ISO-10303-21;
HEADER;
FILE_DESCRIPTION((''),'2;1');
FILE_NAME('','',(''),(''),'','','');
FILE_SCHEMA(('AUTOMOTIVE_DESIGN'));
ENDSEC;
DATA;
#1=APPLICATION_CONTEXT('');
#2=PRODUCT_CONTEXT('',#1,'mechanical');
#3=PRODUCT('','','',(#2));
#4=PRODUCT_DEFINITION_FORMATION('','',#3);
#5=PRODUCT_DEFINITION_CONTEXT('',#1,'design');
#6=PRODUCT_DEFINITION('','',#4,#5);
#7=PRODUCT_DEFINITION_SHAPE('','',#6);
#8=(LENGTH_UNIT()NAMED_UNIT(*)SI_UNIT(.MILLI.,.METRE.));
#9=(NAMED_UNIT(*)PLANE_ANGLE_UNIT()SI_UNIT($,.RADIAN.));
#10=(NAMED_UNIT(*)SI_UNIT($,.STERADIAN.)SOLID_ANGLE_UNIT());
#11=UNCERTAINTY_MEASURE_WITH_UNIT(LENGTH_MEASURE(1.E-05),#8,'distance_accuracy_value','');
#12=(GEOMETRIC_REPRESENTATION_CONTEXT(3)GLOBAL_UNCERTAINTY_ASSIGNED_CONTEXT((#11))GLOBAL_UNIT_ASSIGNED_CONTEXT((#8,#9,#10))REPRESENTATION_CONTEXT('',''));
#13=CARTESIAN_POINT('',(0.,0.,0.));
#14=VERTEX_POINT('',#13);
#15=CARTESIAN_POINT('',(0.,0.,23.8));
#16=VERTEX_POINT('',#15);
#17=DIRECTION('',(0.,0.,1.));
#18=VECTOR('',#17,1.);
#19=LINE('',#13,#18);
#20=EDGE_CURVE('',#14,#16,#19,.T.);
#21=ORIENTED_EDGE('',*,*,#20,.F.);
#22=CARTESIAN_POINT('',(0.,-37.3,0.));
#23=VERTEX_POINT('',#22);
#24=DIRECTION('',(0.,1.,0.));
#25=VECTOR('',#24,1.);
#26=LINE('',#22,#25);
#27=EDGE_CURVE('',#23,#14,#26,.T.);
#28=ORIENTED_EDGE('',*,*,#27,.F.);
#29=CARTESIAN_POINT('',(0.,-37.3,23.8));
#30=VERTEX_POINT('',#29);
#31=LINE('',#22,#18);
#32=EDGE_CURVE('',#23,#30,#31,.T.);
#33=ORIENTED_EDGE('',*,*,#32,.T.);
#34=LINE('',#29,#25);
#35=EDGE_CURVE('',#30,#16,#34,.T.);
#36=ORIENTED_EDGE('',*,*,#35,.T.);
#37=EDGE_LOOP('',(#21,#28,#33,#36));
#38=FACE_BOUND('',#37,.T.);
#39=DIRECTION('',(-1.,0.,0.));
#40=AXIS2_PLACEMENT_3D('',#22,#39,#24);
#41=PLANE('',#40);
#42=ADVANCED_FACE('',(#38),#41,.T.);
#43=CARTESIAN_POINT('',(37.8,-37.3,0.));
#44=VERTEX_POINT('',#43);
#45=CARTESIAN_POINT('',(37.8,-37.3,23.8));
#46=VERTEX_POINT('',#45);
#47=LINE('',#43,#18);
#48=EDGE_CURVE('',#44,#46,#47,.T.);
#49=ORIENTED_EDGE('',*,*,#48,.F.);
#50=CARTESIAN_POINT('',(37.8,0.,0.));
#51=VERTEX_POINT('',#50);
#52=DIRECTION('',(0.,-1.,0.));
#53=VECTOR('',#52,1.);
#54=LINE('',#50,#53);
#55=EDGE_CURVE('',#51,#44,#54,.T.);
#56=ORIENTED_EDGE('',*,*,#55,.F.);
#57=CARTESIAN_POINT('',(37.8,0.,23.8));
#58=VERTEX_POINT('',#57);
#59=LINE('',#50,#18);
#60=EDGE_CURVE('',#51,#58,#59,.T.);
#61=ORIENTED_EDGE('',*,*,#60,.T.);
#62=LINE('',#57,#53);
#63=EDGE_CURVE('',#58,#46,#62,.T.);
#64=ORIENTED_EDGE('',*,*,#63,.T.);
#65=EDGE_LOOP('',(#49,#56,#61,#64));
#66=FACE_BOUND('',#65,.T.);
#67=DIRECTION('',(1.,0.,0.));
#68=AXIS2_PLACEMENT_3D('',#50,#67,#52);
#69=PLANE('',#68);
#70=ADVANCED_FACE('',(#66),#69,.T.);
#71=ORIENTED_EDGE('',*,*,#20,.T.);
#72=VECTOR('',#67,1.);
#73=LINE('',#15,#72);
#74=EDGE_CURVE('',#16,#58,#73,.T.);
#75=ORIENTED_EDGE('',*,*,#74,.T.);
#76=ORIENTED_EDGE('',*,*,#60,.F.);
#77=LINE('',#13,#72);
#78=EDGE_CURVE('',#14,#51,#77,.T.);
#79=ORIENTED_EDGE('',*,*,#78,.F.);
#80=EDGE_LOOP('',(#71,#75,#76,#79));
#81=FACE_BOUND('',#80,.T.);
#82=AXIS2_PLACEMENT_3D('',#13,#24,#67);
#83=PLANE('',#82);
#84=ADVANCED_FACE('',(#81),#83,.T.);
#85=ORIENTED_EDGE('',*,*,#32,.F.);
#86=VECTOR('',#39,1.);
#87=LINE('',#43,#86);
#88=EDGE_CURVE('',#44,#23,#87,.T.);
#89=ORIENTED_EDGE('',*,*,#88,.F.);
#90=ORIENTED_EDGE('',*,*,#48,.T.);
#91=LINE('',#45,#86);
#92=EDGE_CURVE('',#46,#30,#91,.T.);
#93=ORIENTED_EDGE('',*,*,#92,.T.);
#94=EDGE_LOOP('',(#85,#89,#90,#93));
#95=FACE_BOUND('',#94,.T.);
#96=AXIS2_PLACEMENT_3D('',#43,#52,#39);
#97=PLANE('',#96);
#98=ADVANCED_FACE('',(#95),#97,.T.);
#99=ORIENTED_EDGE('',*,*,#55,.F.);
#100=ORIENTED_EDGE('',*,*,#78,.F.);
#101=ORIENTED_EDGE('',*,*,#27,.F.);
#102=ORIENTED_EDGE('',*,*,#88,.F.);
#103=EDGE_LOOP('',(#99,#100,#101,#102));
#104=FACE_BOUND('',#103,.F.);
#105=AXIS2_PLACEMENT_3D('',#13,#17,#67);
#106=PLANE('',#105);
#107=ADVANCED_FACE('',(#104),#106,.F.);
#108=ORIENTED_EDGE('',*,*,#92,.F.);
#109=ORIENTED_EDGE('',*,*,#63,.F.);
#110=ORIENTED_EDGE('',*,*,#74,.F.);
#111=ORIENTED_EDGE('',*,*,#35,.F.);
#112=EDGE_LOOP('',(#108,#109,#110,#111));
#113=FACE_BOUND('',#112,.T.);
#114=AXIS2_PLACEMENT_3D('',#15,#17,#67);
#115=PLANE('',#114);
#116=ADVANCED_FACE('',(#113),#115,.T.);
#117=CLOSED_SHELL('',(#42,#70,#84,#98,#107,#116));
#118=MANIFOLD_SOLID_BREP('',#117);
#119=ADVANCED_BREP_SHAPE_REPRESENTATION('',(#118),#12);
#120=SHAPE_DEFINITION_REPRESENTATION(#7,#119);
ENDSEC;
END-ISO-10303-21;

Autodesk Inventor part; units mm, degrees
ref_plane "YZ Plane" through (0, 0, 0) normal (1, 0, 0) x (0, 1, 0)
ref_plane "XZ Plane" through (0, 0, 0) normal (0, 1, 0) x (-1, 0, 0)
ref_plane "XY Plane" through (0, 0, 0) normal (0, 0, 1) x (1, 0, 0)
sketch "Sketch1" plane through (0, 0, 0) normal (0, 0, 1) x (1, 0, 0)
  line L0 (0, 0) -> (37.8, 0)
  line L1 (37.8, 0) -> (37.8, -37.3)
  line L2 (37.8, -37.3) -> (0, -37.3)
  line L3 (0, -37.3) -> (0, 0)
  dimension "d0" = 37.8
  dimension "d1" = 37.3
extrude "Extrusion1" add sketch "Sketch1" along normal blind 23.8
properties part number "Heatsink"
